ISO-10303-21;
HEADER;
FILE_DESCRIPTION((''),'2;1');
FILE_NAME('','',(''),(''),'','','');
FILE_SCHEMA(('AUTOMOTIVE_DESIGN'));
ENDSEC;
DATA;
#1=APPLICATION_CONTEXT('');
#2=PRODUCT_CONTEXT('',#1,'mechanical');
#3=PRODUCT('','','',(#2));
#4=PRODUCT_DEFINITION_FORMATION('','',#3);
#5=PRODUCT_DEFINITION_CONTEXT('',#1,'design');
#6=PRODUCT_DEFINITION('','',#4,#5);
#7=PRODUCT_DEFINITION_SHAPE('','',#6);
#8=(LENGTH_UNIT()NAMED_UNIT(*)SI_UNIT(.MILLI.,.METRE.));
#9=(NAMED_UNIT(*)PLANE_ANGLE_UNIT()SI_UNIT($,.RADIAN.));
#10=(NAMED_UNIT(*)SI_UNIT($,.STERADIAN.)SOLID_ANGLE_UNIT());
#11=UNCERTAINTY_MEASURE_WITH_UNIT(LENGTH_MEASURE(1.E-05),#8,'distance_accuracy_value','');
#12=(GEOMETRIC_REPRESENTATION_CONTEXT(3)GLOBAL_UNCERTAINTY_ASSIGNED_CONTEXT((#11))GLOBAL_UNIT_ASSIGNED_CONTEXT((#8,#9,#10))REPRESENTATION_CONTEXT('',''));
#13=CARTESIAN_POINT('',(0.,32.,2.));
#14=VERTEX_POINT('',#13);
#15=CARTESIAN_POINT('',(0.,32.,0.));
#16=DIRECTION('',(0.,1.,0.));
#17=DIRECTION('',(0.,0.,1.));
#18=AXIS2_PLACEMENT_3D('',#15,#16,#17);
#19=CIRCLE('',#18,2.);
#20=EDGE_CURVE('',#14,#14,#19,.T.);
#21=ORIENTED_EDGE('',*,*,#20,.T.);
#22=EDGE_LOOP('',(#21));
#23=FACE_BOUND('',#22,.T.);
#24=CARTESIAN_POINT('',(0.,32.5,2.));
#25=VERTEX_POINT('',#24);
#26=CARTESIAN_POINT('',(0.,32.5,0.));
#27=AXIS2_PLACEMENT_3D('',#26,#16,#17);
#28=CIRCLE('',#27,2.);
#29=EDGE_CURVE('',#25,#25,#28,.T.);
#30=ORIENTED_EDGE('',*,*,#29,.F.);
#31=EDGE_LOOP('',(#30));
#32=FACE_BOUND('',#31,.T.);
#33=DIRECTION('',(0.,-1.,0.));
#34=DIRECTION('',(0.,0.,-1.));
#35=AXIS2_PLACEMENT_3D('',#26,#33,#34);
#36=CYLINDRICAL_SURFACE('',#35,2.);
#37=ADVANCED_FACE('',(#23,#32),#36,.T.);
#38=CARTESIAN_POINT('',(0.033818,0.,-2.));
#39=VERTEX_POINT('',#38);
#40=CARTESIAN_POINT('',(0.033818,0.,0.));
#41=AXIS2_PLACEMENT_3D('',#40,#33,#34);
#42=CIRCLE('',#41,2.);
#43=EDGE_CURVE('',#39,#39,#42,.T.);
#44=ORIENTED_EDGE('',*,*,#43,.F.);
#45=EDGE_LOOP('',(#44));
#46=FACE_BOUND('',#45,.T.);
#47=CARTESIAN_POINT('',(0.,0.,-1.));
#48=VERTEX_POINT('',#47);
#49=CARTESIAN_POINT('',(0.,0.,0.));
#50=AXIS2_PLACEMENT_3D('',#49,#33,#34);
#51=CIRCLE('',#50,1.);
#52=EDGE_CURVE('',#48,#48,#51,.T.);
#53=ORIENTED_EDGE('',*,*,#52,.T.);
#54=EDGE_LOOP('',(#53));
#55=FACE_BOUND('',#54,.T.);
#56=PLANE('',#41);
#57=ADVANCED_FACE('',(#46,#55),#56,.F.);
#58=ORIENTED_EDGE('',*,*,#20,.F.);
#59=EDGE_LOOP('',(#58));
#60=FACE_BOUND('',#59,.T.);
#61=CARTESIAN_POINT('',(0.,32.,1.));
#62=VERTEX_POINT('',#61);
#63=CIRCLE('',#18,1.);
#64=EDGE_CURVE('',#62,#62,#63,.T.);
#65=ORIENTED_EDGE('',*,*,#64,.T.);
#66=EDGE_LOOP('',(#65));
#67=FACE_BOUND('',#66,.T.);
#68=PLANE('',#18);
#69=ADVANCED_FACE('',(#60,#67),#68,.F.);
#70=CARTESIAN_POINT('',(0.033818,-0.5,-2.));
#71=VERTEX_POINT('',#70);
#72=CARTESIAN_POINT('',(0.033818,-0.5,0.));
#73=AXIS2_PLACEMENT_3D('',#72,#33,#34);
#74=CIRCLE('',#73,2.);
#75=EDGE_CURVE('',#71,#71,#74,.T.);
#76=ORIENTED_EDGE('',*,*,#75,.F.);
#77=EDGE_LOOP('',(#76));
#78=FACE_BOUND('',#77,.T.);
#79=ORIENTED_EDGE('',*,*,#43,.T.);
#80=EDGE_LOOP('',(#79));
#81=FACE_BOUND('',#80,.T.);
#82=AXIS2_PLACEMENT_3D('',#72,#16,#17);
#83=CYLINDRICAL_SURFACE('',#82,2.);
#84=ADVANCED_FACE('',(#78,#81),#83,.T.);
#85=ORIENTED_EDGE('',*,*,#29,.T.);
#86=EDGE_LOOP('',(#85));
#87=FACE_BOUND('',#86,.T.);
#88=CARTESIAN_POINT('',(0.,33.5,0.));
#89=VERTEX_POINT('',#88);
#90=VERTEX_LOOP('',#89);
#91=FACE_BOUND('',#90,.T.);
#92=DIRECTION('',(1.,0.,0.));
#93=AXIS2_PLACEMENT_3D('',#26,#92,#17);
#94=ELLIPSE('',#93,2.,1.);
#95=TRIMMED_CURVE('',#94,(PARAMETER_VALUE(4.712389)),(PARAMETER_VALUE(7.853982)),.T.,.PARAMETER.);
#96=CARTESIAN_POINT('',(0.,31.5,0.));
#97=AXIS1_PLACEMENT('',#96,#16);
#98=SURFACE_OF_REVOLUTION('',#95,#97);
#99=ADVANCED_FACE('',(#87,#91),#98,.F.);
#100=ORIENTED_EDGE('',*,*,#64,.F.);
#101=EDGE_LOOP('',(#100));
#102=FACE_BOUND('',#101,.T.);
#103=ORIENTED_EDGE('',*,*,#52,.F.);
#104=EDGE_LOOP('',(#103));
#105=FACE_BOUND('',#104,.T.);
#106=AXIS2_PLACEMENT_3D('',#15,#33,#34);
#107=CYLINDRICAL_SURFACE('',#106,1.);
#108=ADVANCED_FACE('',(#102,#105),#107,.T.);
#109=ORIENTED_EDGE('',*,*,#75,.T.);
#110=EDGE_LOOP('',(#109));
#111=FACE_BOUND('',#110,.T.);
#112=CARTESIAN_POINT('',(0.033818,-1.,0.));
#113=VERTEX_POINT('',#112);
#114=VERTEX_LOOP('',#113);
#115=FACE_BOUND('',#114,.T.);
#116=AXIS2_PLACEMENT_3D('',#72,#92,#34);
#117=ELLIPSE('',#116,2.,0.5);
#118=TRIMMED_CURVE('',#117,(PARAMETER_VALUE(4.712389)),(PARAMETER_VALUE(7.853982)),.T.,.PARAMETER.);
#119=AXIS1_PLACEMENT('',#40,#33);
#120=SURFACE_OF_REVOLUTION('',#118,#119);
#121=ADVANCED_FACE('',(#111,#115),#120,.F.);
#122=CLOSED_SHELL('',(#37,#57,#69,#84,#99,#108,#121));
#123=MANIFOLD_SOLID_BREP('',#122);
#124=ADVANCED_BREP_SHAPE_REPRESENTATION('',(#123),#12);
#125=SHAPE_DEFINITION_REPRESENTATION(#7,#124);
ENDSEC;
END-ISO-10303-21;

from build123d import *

# Parameters (mm, degrees)
SKETCH1_R                  = 1
MAIN_BODY_OF_SCREW_DEPTH   = 32
SKETCH2_R                  = 2
TOP_EXTRUDE_DEPTH          = 0.5
DOME_AT_TOP_FACE_RADIUS    = 2
DOME_AT_TOP_HEIGHT         = 1
SKETCH3_R                  = 2
BOTTOM_EXTRUDE_DEPTH       = 0.5
DOME_AT_BOTTOM_FACE_RADIUS = 2
DOME_AT_BOTTOM_HEIGHT      = 0.5


with BuildPart() as part:
    # Sketch1 → Main Body of Screw (new body)
    with BuildSketch(Plane(origin=(0, 0, 0), x_dir=(1, 0, 0), z_dir=(0, 1, 0))):
        Circle(SKETCH1_R)
    extrude(amount=MAIN_BODY_OF_SCREW_DEPTH)

    # Sketch2 → Top Extrude (add)
    with BuildSketch(Plane(origin=(0, 32, 0), x_dir=(1, 0, 0), z_dir=(0, 1, 0))):
        Circle(SKETCH2_R)
    extrude(amount=TOP_EXTRUDE_DEPTH)

    # Dome at Top: an elliptical dome of height H over a round flat face of radius A is half a spheroid: the quarter ellipse of half axes A and H revolved about the face's axis
    with BuildSketch(Plane((0, 32.5, 0), x_dir=(0, 0, -1), z_dir=(1, 0, 0)), mode=Mode.PRIVATE) as dome_at_top_quarter:
        Ellipse(DOME_AT_TOP_FACE_RADIUS, DOME_AT_TOP_HEIGHT)
        Rectangle(DOME_AT_TOP_FACE_RADIUS, DOME_AT_TOP_HEIGHT, align=(Align.MIN, Align.MIN), mode=Mode.INTERSECT)
    revolve(dome_at_top_quarter.sketch, axis=Axis((0, 32.5, 0), (0, 1, 0)))

    # Sketch3 → Bottom Extrude (add)
    with BuildSketch(Plane.XZ):
        with Locations((0.033817747, 0)):
            Circle(SKETCH3_R)
    extrude(amount=BOTTOM_EXTRUDE_DEPTH)

    # Dome at Bottom: an elliptical dome of height H over a round flat face of radius A is half a spheroid: the quarter ellipse of half axes A and H revolved about the face's axis
    with BuildSketch(Plane((0.033817747, -0.5, 0), x_dir=(0, 0, 1), z_dir=(1, 0, 0)), mode=Mode.PRIVATE) as dome_at_bottom_quarter:
        Ellipse(DOME_AT_BOTTOM_FACE_RADIUS, DOME_AT_BOTTOM_HEIGHT)
        Rectangle(DOME_AT_BOTTOM_FACE_RADIUS, DOME_AT_BOTTOM_HEIGHT, align=(Align.MIN, Align.MIN), mode=Mode.INTERSECT)
    revolve(dome_at_bottom_quarter.sketch, axis=Axis((0.033817747, -0.5, 0), (0, -1, 0)))


solid = part.part
